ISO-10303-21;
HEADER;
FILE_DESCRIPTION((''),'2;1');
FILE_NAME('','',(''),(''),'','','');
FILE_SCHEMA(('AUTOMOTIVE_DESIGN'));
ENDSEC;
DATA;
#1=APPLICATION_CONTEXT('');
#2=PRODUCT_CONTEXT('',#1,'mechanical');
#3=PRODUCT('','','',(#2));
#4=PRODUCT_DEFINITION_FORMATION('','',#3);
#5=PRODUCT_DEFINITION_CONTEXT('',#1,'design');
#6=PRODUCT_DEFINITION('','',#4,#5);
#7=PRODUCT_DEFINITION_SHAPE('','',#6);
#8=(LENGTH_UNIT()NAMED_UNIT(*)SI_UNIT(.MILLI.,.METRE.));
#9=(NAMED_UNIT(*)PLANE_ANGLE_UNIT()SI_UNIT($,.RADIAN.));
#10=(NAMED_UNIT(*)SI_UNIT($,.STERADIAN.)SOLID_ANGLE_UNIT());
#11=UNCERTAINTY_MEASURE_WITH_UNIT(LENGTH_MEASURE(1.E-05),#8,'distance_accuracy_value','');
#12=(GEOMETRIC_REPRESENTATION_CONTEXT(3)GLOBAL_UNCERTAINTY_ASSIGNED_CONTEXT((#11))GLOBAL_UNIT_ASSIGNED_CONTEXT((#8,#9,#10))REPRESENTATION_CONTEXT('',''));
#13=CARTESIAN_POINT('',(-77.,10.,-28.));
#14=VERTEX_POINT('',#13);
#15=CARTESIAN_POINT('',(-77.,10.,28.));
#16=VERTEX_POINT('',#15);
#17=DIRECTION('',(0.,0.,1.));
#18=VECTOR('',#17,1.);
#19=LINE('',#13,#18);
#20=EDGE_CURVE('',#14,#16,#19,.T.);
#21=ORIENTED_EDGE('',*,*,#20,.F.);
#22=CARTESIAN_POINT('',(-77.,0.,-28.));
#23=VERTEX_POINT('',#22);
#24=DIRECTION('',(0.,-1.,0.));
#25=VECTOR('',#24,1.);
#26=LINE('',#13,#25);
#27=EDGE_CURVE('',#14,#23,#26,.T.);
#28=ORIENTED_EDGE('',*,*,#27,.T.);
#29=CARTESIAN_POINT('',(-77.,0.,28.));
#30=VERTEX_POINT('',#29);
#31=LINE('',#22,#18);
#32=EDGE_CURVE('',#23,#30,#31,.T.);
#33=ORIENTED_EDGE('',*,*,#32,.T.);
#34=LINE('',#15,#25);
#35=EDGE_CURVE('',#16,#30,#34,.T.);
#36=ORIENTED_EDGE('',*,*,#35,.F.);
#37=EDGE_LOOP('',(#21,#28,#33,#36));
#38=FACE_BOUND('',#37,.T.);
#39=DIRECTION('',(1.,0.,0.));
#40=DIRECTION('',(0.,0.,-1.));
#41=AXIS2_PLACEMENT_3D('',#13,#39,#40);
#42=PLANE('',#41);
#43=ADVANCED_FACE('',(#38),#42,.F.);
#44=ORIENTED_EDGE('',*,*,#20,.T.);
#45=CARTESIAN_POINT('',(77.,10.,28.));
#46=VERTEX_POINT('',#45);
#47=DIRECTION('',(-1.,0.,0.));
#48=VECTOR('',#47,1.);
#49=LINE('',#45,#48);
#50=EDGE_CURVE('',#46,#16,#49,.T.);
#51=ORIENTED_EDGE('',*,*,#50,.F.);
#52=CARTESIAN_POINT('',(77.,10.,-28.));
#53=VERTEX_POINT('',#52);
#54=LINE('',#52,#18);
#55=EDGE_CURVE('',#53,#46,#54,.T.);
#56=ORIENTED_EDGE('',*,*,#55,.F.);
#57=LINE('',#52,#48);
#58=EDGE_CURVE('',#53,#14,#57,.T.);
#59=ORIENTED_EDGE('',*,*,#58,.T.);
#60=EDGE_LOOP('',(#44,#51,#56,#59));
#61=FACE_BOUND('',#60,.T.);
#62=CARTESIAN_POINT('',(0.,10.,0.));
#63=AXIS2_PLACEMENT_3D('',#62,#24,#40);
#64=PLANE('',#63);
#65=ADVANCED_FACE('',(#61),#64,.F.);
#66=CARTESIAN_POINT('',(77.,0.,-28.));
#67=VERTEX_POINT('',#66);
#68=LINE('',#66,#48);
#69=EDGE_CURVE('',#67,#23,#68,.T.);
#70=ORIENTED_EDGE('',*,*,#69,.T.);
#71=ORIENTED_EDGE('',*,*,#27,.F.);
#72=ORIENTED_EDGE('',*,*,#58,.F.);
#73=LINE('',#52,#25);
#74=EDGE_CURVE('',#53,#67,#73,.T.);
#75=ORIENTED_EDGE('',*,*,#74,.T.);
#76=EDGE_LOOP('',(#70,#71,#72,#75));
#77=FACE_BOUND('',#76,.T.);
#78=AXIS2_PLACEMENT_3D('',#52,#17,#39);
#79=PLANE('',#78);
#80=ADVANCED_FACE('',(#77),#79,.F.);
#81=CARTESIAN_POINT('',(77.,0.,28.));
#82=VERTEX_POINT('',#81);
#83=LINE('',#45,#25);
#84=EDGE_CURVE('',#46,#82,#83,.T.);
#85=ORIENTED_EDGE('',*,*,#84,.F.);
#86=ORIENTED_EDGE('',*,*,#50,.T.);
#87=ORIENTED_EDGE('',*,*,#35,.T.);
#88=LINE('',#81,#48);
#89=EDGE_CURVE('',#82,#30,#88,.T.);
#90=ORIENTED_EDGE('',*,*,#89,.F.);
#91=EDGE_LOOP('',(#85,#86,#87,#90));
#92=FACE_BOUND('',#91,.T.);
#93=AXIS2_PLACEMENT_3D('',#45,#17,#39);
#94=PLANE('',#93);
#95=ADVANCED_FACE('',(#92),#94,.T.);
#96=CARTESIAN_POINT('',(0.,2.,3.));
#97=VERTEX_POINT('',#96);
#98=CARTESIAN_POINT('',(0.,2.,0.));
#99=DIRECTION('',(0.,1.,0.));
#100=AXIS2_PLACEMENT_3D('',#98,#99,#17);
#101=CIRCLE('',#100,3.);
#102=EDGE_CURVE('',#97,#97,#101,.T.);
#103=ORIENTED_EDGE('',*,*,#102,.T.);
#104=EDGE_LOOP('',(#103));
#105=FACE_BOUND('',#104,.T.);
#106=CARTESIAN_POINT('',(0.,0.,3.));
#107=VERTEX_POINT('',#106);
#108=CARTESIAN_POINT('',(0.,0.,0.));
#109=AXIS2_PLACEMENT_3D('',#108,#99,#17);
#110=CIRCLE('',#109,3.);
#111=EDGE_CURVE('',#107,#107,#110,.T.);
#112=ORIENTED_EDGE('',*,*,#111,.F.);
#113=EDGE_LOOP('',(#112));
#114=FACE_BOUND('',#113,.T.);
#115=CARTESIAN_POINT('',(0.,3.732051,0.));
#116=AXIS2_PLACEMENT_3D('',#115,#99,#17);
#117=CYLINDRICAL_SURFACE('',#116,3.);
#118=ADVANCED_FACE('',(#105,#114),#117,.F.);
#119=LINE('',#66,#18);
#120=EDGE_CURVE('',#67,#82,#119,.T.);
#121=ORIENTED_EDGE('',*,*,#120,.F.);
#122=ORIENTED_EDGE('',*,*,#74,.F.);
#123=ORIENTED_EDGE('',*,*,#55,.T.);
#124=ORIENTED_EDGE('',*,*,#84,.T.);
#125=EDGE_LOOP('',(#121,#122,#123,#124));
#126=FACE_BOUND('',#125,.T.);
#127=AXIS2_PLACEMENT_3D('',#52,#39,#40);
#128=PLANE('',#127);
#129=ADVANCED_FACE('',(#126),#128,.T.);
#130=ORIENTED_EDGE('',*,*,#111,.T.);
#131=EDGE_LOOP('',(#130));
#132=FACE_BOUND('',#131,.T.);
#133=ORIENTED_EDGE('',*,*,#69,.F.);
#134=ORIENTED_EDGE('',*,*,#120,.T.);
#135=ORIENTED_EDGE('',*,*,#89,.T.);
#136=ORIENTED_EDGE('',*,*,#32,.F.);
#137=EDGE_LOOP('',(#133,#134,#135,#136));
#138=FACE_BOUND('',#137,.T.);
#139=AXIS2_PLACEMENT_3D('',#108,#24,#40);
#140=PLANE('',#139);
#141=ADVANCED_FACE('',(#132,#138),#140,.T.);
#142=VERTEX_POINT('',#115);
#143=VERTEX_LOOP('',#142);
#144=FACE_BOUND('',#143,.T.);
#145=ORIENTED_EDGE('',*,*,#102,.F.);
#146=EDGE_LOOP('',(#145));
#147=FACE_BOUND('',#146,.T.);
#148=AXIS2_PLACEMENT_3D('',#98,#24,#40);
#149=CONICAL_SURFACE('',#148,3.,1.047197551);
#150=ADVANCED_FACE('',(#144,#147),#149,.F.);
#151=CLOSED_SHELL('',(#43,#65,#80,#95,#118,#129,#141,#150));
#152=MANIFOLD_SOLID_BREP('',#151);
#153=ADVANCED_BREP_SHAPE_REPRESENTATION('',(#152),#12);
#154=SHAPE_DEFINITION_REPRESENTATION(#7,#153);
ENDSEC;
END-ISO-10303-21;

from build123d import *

# Parameters (mm, degrees)
SKETCH1_W  = 154
SKETCH1_H  = 56
BASE_DEPTH = 10


with BuildPart() as part:
    # Sketch1 → base (new body)
    with BuildSketch(Plane(origin=(0, 0, 0), x_dir=(1, 0, 0), z_dir=(0, 1, 0))):
        Rectangle(SKETCH1_W, SKETCH1_H)
    extrude(amount=BASE_DEPTH)

    # Sketch4 → Cut-Revolve1 (revolve, cut)
    with BuildSketch(Plane(origin=(0, 0, 0), x_dir=(0, 0, -1), z_dir=(1, 0, 0))):
        Polygon((3, 0), (3, 2), (0, 3.732050808), (0, 0), align=None)
    revolve(axis=Axis((0, 3.732050808, 0), (0, -1, 0)), mode=Mode.SUBTRACT)


solid = part.part
